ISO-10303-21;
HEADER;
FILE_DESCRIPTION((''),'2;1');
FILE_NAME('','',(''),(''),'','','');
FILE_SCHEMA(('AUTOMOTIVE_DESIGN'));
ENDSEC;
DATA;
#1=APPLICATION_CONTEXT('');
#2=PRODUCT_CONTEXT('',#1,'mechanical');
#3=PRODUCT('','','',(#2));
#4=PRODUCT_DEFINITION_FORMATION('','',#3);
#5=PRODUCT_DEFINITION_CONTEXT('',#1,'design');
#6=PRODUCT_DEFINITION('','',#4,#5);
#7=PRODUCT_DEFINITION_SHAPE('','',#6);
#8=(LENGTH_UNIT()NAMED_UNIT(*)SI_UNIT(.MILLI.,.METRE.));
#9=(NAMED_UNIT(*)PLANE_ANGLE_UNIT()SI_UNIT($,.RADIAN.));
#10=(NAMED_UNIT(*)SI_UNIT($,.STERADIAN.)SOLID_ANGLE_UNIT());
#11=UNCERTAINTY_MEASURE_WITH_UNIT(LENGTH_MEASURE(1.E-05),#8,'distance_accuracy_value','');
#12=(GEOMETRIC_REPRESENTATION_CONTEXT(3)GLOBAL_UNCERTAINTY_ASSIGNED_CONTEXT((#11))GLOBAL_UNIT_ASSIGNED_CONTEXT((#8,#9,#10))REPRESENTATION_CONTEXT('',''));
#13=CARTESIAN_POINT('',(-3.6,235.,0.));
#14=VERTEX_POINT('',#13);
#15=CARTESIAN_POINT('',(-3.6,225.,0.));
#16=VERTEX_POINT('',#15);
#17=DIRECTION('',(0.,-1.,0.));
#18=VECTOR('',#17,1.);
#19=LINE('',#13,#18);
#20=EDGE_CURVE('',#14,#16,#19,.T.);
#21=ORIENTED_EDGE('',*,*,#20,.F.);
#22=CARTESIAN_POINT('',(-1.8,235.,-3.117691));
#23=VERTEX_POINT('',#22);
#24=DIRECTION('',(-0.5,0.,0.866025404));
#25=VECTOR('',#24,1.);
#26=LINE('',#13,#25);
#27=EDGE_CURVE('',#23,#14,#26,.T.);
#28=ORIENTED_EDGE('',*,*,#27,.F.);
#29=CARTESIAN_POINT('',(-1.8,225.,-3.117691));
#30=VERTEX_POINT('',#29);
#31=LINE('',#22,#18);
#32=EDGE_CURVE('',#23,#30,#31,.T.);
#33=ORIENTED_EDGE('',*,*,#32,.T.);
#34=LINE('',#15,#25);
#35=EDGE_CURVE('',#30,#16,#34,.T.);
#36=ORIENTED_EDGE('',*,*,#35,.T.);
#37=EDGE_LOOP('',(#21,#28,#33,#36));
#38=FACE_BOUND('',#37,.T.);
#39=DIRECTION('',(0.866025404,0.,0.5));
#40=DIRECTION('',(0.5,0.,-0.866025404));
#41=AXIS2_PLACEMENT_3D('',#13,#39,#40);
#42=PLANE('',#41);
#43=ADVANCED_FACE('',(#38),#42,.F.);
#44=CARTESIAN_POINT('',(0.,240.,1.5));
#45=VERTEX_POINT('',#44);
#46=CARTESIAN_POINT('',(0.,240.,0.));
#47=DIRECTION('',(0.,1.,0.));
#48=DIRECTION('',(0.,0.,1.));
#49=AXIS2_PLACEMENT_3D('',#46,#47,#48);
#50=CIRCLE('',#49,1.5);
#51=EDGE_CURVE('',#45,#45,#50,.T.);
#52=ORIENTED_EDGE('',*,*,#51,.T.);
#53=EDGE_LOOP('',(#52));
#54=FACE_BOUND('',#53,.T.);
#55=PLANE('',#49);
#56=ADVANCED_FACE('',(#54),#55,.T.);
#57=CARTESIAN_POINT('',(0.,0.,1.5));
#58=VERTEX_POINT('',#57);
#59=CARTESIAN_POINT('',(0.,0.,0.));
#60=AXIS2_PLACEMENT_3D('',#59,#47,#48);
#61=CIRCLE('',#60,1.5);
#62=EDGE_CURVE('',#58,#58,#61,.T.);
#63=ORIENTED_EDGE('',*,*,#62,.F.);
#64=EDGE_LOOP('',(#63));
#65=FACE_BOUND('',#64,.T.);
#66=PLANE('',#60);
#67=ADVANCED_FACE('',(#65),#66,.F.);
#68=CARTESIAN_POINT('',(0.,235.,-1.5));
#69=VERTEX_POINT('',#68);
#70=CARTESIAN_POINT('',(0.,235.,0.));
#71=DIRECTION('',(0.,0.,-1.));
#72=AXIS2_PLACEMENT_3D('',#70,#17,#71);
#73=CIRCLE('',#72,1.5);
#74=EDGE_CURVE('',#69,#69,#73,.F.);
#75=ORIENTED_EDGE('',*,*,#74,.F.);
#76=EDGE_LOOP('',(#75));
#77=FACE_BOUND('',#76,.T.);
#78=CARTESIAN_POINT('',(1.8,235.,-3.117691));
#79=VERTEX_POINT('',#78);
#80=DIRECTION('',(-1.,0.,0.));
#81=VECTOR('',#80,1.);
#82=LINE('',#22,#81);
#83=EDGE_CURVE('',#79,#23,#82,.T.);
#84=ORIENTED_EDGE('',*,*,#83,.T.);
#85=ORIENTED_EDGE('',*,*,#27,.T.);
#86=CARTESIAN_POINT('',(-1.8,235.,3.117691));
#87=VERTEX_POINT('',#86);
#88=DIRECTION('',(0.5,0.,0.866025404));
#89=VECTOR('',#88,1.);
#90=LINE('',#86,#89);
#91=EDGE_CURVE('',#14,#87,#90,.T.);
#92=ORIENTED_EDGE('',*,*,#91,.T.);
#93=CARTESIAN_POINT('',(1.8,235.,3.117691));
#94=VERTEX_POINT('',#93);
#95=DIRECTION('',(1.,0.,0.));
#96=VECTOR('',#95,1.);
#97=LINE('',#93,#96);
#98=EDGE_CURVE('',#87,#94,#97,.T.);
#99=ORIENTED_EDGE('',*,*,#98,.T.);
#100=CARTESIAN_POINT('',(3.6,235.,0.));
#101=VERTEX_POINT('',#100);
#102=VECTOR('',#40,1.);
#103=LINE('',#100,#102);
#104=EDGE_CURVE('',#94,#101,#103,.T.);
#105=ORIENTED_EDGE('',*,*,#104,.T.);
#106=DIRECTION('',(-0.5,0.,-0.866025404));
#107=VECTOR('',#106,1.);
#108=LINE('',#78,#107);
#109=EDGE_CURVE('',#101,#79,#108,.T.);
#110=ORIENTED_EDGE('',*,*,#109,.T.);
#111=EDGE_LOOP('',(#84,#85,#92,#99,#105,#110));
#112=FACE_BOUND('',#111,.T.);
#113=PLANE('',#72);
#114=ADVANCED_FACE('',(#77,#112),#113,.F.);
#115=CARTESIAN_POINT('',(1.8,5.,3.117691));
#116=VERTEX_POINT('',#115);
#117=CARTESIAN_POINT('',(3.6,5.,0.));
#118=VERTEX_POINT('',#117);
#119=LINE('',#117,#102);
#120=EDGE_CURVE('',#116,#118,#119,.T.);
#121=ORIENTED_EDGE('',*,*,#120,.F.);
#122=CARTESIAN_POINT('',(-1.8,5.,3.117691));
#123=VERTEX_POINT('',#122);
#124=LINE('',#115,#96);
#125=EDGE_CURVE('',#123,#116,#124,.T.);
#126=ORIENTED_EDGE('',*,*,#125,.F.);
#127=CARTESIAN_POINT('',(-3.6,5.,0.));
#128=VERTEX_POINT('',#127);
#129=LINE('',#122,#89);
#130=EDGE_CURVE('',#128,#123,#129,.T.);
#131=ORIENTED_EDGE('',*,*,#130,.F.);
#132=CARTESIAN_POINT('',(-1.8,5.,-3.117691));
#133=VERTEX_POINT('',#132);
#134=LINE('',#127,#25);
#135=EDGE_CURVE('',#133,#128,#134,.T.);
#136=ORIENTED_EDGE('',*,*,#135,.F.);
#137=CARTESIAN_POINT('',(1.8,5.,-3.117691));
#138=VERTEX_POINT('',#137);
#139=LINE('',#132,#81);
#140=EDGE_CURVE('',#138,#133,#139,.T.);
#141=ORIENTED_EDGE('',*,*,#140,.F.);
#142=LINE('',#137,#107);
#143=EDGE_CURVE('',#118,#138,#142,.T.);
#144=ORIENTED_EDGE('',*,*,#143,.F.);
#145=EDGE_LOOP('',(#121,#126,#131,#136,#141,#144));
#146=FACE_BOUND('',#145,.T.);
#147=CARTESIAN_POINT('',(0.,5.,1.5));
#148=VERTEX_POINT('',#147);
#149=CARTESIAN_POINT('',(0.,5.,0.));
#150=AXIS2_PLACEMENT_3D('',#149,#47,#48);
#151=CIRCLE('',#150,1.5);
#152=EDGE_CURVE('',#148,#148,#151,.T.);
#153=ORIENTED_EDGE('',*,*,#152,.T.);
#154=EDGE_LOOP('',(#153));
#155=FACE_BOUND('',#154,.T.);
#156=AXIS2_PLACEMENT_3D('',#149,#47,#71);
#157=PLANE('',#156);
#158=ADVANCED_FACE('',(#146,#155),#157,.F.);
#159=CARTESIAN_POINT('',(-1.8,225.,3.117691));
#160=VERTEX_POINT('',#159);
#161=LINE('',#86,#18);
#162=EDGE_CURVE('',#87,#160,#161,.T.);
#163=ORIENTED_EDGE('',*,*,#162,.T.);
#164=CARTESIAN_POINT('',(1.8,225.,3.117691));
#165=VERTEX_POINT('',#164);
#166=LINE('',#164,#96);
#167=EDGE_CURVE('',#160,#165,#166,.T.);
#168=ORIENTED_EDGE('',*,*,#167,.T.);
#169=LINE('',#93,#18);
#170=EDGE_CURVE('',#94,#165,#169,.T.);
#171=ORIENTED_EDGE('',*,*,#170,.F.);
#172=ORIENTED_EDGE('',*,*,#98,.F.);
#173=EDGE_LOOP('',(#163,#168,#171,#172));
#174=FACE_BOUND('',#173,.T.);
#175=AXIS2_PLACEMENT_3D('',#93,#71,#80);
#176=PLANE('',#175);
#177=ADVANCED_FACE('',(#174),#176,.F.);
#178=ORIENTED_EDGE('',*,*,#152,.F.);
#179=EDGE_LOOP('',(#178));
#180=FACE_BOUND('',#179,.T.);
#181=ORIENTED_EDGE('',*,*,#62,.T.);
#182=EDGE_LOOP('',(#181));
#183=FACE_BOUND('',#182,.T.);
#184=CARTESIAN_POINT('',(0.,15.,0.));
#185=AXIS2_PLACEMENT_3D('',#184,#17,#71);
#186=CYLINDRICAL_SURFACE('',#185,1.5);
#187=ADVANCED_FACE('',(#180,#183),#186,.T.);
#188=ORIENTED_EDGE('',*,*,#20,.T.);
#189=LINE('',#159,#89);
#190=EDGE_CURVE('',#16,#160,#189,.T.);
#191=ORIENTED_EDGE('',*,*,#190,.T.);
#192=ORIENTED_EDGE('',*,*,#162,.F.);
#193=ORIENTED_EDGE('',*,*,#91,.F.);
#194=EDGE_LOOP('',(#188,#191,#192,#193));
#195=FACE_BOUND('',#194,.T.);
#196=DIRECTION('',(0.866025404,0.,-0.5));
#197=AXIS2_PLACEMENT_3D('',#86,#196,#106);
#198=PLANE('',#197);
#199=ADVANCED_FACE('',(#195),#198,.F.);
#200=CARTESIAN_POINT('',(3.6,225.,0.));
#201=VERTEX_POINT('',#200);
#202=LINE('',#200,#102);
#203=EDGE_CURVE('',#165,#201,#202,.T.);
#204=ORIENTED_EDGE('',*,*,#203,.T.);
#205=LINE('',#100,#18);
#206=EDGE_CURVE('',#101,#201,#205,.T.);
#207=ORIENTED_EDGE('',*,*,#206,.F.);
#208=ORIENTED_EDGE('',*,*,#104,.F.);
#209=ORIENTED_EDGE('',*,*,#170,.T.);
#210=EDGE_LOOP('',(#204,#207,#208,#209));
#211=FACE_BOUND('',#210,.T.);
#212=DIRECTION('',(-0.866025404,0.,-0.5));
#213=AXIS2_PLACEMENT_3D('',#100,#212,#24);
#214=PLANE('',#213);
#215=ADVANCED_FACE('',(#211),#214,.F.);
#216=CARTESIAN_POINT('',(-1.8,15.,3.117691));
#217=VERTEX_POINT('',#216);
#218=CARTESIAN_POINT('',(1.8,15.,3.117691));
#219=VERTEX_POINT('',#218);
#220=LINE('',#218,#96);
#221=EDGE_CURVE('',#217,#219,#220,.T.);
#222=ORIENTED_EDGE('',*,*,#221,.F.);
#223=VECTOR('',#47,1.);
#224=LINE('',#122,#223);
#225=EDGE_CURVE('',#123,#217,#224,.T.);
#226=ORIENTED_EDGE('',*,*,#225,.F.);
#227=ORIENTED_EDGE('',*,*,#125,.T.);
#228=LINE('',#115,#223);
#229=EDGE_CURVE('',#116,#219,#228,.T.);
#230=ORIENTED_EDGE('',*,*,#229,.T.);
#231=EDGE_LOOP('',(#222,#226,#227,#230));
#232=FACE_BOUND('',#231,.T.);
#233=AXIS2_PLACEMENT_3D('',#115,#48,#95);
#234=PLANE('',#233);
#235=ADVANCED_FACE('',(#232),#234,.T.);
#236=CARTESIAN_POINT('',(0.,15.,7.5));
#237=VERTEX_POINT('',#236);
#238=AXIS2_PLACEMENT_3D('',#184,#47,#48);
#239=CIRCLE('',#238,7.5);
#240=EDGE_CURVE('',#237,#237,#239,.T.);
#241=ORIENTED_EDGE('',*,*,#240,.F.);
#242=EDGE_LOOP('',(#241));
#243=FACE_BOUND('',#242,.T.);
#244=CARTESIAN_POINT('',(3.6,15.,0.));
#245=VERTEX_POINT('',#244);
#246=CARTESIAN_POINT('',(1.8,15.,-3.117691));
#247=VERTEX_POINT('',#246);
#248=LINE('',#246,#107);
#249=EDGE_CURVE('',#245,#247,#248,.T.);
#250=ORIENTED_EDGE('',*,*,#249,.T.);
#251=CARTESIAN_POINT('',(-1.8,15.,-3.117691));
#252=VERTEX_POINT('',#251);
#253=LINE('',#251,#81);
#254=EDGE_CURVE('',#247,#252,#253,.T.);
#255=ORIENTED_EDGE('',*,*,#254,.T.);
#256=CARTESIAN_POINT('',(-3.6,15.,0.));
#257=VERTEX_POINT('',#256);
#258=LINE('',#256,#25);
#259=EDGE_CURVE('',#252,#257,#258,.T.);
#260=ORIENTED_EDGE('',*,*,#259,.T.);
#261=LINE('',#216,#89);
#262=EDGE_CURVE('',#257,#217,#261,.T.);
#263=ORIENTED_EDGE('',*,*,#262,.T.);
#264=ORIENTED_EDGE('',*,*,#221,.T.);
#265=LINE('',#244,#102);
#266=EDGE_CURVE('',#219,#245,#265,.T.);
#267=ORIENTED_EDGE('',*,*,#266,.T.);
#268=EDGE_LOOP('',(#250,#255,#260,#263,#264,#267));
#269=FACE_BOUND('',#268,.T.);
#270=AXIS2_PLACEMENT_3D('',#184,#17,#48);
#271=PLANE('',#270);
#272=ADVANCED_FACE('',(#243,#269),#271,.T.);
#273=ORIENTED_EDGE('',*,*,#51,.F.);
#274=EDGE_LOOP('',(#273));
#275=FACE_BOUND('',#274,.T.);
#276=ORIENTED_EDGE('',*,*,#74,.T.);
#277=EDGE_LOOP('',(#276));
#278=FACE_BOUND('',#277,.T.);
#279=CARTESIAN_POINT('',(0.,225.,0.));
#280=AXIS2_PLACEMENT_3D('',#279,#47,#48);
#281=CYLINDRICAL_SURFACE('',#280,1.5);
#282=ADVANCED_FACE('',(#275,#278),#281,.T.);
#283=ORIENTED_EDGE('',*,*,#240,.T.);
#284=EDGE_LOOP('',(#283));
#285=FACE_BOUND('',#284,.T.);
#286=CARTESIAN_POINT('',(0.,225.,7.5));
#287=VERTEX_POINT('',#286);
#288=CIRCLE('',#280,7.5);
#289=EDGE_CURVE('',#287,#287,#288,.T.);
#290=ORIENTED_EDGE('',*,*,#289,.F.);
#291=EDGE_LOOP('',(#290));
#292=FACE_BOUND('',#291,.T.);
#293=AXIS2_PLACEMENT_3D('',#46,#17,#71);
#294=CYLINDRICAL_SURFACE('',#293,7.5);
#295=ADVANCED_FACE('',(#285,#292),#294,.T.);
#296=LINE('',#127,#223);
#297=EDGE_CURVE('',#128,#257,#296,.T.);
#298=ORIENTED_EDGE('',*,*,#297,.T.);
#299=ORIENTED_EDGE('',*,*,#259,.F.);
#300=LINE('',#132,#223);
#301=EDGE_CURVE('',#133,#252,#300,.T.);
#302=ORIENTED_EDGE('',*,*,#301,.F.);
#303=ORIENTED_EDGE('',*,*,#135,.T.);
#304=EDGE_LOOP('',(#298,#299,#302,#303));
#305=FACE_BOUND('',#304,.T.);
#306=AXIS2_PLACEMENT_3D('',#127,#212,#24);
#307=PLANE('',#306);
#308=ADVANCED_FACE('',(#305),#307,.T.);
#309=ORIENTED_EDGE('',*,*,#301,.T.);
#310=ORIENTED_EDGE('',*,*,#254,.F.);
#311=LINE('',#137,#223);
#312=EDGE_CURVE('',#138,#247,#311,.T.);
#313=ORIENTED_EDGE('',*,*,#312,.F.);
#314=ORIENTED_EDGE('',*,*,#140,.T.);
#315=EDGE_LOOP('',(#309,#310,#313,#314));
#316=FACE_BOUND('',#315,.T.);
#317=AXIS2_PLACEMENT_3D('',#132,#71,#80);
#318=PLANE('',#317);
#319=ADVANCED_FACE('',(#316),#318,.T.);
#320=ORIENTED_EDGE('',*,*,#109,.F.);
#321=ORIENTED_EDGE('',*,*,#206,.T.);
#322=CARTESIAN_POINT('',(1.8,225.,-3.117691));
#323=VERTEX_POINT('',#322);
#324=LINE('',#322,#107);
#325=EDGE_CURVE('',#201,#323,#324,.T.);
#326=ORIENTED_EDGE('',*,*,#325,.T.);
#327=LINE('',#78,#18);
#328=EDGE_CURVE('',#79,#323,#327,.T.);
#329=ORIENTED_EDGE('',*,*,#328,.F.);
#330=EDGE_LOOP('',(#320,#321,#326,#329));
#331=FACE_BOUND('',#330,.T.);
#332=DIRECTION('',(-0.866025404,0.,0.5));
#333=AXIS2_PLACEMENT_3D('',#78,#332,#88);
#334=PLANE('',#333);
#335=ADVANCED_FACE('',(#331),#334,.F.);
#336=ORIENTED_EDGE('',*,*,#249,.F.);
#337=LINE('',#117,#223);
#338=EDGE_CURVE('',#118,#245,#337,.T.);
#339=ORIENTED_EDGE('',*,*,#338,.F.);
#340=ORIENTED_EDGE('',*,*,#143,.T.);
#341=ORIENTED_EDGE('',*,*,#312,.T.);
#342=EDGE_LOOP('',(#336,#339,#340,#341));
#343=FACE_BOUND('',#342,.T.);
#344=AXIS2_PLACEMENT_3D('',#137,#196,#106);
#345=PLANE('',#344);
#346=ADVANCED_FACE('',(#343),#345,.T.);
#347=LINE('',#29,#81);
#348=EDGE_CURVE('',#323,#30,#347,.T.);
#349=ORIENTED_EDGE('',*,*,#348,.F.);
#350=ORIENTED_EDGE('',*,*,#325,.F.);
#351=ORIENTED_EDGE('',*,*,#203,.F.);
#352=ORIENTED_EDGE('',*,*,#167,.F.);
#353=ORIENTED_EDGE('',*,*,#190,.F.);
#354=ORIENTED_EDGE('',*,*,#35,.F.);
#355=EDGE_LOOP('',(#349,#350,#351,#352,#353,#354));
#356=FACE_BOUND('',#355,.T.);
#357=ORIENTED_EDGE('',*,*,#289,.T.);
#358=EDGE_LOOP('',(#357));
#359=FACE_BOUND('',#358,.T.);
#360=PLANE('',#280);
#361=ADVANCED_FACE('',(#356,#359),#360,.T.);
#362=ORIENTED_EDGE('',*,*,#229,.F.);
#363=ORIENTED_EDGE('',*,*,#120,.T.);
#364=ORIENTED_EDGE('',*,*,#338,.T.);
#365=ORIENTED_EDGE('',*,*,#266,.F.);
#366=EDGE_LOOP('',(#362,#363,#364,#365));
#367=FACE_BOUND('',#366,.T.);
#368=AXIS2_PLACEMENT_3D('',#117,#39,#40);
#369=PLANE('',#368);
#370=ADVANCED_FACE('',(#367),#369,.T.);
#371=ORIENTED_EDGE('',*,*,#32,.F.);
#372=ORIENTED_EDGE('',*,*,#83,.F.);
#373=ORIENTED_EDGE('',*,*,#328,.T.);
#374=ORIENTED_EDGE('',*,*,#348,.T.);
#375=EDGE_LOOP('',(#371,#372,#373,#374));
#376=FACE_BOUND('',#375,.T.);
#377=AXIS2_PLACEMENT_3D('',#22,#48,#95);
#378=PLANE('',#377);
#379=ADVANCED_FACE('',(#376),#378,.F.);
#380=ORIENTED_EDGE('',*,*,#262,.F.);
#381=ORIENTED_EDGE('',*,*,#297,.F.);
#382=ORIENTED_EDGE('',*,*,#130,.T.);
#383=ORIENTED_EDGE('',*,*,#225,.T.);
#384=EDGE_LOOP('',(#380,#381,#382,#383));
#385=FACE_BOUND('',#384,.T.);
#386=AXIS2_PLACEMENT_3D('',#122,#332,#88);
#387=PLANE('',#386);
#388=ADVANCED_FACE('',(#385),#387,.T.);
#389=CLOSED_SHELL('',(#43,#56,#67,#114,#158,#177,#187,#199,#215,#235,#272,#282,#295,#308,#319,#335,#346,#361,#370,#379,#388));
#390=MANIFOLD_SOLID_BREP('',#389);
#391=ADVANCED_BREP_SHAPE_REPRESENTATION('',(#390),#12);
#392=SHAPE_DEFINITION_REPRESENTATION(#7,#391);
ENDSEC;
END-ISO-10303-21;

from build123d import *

# Parameters (mm, degrees)
SKETCH2_R           = 7.5
BOSS_EXTRUDE1_DEPTH = 240
CUT_EXTRUDE1_START  = -15
SKETCH3_R           = 7.5
SKETCH3_R_2         = 1.5
CUT_EXTRUDE1_DEPTH  = 15
BOSS_EXTRUDE2_DEPTH = 10


with BuildPart() as part:
    # Sketch2 → Boss-Extrude1 (new body)
    with BuildSketch(Plane(origin=(0, 0, 0), x_dir=(1, 0, 0), z_dir=(0, 1, 0))):
        with Locations(Location((0, 0, 0), (0, 0, 270))):
            Circle(SKETCH2_R)
    extrude(amount=BOSS_EXTRUDE1_DEPTH)

    # Sketch3 → Cut-Extrude1 (cut)
    with BuildSketch(Plane(origin=(0, 240, 0), x_dir=(1, 0, 0), z_dir=(0, 1, 0)).offset(CUT_EXTRUDE1_START)):
        with Locations(Location((0, 0, 0), (0, 0, 270))):
            Circle(SKETCH3_R)
        with Locations(Location((0, 0, 0), (0, 0, 270))):
            Circle(SKETCH3_R_2, mode=Mode.SUBTRACT)
    cut_extrude1 = extrude(amount=CUT_EXTRUDE1_DEPTH, mode=Mode.SUBTRACT)

    # Sketch4 → Boss-Extrude2 (add)
    with BuildSketch(Plane(origin=(0, 225, 0), x_dir=(1, 0, 0), z_dir=(0, 1, 0))):
        Polygon((-1.8, 3.117691454), (1.8, 3.117691454), (3.6, 0), (1.8, -3.117691454), (-1.8, -3.117691454), (-3.6, 0), align=None)
    boss_extrude2 = extrude(amount=BOSS_EXTRUDE2_DEPTH)

    # Mirror1: Cut-Extrude1, Boss-Extrude2 across plane
    add(cut_extrude1.mirror(Plane.ZX.offset(120)), mode=Mode.SUBTRACT)
    add(boss_extrude2.mirror(Plane.ZX.offset(120)))


solid = part.part
